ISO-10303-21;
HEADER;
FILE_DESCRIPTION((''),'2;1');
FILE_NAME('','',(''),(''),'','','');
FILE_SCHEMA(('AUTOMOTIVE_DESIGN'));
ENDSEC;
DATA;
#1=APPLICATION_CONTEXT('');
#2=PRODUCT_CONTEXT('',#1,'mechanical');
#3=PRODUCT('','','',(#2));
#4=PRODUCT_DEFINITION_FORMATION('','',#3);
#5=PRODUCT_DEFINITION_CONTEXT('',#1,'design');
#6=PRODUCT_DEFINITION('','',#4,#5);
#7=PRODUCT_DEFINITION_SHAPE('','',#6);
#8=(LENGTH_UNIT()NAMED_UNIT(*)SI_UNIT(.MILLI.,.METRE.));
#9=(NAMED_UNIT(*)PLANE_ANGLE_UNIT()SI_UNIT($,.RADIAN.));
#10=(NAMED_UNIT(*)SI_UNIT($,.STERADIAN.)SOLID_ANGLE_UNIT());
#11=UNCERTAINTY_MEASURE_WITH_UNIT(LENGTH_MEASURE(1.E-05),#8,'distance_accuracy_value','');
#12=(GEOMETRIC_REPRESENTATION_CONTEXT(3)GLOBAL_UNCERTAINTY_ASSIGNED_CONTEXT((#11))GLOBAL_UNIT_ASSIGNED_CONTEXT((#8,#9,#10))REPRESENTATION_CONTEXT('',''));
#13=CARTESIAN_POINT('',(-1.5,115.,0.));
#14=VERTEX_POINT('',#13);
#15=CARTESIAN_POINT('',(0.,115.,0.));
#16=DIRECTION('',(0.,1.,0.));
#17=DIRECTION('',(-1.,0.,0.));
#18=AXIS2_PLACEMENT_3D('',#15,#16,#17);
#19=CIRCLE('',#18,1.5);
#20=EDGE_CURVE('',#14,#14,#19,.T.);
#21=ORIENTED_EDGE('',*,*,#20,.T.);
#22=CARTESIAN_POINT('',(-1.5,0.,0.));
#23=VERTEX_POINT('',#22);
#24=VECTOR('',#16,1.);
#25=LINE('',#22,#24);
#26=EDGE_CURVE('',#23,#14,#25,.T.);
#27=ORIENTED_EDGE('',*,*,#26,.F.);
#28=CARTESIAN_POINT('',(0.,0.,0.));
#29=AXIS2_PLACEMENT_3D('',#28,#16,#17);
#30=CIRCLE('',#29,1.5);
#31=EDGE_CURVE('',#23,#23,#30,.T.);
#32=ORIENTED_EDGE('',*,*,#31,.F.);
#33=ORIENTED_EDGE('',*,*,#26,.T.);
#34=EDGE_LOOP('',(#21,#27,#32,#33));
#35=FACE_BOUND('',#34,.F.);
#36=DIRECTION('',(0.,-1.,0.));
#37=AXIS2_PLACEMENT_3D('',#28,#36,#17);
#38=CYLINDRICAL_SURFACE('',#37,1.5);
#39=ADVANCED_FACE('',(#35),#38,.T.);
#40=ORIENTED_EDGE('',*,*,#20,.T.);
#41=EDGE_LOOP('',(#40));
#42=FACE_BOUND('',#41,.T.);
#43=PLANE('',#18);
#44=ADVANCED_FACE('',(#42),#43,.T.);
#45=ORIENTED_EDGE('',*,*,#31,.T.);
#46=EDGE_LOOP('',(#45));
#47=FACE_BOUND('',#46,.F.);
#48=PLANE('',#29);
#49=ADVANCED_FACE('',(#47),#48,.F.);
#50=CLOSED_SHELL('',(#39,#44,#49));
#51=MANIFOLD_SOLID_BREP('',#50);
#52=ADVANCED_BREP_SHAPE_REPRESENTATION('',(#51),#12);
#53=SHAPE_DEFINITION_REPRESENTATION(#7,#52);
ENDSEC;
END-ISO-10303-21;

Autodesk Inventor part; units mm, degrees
ref_plane "YZ Plane" through (0, 0, 0) normal (1, 0, 0) x (0, 1, 0)
ref_plane "XZ Plane" through (0, 0, 0) normal (0, 1, 0) x (-1, 0, 0)
ref_plane "XY Plane" through (0, 0, 0) normal (0, 0, 1) x (1, 0, 0)
sketch "Sketch1" plane through (0, 0, 0) normal (0, 1, 0) x (-1, 0, 0)
  circle A0 centre (0, 0) radius 1.5
  dimension "d0" = 3
extrude "Extrusion1" add sketch "Sketch1" along normal blind 115
properties part number "mat_support_balise"
